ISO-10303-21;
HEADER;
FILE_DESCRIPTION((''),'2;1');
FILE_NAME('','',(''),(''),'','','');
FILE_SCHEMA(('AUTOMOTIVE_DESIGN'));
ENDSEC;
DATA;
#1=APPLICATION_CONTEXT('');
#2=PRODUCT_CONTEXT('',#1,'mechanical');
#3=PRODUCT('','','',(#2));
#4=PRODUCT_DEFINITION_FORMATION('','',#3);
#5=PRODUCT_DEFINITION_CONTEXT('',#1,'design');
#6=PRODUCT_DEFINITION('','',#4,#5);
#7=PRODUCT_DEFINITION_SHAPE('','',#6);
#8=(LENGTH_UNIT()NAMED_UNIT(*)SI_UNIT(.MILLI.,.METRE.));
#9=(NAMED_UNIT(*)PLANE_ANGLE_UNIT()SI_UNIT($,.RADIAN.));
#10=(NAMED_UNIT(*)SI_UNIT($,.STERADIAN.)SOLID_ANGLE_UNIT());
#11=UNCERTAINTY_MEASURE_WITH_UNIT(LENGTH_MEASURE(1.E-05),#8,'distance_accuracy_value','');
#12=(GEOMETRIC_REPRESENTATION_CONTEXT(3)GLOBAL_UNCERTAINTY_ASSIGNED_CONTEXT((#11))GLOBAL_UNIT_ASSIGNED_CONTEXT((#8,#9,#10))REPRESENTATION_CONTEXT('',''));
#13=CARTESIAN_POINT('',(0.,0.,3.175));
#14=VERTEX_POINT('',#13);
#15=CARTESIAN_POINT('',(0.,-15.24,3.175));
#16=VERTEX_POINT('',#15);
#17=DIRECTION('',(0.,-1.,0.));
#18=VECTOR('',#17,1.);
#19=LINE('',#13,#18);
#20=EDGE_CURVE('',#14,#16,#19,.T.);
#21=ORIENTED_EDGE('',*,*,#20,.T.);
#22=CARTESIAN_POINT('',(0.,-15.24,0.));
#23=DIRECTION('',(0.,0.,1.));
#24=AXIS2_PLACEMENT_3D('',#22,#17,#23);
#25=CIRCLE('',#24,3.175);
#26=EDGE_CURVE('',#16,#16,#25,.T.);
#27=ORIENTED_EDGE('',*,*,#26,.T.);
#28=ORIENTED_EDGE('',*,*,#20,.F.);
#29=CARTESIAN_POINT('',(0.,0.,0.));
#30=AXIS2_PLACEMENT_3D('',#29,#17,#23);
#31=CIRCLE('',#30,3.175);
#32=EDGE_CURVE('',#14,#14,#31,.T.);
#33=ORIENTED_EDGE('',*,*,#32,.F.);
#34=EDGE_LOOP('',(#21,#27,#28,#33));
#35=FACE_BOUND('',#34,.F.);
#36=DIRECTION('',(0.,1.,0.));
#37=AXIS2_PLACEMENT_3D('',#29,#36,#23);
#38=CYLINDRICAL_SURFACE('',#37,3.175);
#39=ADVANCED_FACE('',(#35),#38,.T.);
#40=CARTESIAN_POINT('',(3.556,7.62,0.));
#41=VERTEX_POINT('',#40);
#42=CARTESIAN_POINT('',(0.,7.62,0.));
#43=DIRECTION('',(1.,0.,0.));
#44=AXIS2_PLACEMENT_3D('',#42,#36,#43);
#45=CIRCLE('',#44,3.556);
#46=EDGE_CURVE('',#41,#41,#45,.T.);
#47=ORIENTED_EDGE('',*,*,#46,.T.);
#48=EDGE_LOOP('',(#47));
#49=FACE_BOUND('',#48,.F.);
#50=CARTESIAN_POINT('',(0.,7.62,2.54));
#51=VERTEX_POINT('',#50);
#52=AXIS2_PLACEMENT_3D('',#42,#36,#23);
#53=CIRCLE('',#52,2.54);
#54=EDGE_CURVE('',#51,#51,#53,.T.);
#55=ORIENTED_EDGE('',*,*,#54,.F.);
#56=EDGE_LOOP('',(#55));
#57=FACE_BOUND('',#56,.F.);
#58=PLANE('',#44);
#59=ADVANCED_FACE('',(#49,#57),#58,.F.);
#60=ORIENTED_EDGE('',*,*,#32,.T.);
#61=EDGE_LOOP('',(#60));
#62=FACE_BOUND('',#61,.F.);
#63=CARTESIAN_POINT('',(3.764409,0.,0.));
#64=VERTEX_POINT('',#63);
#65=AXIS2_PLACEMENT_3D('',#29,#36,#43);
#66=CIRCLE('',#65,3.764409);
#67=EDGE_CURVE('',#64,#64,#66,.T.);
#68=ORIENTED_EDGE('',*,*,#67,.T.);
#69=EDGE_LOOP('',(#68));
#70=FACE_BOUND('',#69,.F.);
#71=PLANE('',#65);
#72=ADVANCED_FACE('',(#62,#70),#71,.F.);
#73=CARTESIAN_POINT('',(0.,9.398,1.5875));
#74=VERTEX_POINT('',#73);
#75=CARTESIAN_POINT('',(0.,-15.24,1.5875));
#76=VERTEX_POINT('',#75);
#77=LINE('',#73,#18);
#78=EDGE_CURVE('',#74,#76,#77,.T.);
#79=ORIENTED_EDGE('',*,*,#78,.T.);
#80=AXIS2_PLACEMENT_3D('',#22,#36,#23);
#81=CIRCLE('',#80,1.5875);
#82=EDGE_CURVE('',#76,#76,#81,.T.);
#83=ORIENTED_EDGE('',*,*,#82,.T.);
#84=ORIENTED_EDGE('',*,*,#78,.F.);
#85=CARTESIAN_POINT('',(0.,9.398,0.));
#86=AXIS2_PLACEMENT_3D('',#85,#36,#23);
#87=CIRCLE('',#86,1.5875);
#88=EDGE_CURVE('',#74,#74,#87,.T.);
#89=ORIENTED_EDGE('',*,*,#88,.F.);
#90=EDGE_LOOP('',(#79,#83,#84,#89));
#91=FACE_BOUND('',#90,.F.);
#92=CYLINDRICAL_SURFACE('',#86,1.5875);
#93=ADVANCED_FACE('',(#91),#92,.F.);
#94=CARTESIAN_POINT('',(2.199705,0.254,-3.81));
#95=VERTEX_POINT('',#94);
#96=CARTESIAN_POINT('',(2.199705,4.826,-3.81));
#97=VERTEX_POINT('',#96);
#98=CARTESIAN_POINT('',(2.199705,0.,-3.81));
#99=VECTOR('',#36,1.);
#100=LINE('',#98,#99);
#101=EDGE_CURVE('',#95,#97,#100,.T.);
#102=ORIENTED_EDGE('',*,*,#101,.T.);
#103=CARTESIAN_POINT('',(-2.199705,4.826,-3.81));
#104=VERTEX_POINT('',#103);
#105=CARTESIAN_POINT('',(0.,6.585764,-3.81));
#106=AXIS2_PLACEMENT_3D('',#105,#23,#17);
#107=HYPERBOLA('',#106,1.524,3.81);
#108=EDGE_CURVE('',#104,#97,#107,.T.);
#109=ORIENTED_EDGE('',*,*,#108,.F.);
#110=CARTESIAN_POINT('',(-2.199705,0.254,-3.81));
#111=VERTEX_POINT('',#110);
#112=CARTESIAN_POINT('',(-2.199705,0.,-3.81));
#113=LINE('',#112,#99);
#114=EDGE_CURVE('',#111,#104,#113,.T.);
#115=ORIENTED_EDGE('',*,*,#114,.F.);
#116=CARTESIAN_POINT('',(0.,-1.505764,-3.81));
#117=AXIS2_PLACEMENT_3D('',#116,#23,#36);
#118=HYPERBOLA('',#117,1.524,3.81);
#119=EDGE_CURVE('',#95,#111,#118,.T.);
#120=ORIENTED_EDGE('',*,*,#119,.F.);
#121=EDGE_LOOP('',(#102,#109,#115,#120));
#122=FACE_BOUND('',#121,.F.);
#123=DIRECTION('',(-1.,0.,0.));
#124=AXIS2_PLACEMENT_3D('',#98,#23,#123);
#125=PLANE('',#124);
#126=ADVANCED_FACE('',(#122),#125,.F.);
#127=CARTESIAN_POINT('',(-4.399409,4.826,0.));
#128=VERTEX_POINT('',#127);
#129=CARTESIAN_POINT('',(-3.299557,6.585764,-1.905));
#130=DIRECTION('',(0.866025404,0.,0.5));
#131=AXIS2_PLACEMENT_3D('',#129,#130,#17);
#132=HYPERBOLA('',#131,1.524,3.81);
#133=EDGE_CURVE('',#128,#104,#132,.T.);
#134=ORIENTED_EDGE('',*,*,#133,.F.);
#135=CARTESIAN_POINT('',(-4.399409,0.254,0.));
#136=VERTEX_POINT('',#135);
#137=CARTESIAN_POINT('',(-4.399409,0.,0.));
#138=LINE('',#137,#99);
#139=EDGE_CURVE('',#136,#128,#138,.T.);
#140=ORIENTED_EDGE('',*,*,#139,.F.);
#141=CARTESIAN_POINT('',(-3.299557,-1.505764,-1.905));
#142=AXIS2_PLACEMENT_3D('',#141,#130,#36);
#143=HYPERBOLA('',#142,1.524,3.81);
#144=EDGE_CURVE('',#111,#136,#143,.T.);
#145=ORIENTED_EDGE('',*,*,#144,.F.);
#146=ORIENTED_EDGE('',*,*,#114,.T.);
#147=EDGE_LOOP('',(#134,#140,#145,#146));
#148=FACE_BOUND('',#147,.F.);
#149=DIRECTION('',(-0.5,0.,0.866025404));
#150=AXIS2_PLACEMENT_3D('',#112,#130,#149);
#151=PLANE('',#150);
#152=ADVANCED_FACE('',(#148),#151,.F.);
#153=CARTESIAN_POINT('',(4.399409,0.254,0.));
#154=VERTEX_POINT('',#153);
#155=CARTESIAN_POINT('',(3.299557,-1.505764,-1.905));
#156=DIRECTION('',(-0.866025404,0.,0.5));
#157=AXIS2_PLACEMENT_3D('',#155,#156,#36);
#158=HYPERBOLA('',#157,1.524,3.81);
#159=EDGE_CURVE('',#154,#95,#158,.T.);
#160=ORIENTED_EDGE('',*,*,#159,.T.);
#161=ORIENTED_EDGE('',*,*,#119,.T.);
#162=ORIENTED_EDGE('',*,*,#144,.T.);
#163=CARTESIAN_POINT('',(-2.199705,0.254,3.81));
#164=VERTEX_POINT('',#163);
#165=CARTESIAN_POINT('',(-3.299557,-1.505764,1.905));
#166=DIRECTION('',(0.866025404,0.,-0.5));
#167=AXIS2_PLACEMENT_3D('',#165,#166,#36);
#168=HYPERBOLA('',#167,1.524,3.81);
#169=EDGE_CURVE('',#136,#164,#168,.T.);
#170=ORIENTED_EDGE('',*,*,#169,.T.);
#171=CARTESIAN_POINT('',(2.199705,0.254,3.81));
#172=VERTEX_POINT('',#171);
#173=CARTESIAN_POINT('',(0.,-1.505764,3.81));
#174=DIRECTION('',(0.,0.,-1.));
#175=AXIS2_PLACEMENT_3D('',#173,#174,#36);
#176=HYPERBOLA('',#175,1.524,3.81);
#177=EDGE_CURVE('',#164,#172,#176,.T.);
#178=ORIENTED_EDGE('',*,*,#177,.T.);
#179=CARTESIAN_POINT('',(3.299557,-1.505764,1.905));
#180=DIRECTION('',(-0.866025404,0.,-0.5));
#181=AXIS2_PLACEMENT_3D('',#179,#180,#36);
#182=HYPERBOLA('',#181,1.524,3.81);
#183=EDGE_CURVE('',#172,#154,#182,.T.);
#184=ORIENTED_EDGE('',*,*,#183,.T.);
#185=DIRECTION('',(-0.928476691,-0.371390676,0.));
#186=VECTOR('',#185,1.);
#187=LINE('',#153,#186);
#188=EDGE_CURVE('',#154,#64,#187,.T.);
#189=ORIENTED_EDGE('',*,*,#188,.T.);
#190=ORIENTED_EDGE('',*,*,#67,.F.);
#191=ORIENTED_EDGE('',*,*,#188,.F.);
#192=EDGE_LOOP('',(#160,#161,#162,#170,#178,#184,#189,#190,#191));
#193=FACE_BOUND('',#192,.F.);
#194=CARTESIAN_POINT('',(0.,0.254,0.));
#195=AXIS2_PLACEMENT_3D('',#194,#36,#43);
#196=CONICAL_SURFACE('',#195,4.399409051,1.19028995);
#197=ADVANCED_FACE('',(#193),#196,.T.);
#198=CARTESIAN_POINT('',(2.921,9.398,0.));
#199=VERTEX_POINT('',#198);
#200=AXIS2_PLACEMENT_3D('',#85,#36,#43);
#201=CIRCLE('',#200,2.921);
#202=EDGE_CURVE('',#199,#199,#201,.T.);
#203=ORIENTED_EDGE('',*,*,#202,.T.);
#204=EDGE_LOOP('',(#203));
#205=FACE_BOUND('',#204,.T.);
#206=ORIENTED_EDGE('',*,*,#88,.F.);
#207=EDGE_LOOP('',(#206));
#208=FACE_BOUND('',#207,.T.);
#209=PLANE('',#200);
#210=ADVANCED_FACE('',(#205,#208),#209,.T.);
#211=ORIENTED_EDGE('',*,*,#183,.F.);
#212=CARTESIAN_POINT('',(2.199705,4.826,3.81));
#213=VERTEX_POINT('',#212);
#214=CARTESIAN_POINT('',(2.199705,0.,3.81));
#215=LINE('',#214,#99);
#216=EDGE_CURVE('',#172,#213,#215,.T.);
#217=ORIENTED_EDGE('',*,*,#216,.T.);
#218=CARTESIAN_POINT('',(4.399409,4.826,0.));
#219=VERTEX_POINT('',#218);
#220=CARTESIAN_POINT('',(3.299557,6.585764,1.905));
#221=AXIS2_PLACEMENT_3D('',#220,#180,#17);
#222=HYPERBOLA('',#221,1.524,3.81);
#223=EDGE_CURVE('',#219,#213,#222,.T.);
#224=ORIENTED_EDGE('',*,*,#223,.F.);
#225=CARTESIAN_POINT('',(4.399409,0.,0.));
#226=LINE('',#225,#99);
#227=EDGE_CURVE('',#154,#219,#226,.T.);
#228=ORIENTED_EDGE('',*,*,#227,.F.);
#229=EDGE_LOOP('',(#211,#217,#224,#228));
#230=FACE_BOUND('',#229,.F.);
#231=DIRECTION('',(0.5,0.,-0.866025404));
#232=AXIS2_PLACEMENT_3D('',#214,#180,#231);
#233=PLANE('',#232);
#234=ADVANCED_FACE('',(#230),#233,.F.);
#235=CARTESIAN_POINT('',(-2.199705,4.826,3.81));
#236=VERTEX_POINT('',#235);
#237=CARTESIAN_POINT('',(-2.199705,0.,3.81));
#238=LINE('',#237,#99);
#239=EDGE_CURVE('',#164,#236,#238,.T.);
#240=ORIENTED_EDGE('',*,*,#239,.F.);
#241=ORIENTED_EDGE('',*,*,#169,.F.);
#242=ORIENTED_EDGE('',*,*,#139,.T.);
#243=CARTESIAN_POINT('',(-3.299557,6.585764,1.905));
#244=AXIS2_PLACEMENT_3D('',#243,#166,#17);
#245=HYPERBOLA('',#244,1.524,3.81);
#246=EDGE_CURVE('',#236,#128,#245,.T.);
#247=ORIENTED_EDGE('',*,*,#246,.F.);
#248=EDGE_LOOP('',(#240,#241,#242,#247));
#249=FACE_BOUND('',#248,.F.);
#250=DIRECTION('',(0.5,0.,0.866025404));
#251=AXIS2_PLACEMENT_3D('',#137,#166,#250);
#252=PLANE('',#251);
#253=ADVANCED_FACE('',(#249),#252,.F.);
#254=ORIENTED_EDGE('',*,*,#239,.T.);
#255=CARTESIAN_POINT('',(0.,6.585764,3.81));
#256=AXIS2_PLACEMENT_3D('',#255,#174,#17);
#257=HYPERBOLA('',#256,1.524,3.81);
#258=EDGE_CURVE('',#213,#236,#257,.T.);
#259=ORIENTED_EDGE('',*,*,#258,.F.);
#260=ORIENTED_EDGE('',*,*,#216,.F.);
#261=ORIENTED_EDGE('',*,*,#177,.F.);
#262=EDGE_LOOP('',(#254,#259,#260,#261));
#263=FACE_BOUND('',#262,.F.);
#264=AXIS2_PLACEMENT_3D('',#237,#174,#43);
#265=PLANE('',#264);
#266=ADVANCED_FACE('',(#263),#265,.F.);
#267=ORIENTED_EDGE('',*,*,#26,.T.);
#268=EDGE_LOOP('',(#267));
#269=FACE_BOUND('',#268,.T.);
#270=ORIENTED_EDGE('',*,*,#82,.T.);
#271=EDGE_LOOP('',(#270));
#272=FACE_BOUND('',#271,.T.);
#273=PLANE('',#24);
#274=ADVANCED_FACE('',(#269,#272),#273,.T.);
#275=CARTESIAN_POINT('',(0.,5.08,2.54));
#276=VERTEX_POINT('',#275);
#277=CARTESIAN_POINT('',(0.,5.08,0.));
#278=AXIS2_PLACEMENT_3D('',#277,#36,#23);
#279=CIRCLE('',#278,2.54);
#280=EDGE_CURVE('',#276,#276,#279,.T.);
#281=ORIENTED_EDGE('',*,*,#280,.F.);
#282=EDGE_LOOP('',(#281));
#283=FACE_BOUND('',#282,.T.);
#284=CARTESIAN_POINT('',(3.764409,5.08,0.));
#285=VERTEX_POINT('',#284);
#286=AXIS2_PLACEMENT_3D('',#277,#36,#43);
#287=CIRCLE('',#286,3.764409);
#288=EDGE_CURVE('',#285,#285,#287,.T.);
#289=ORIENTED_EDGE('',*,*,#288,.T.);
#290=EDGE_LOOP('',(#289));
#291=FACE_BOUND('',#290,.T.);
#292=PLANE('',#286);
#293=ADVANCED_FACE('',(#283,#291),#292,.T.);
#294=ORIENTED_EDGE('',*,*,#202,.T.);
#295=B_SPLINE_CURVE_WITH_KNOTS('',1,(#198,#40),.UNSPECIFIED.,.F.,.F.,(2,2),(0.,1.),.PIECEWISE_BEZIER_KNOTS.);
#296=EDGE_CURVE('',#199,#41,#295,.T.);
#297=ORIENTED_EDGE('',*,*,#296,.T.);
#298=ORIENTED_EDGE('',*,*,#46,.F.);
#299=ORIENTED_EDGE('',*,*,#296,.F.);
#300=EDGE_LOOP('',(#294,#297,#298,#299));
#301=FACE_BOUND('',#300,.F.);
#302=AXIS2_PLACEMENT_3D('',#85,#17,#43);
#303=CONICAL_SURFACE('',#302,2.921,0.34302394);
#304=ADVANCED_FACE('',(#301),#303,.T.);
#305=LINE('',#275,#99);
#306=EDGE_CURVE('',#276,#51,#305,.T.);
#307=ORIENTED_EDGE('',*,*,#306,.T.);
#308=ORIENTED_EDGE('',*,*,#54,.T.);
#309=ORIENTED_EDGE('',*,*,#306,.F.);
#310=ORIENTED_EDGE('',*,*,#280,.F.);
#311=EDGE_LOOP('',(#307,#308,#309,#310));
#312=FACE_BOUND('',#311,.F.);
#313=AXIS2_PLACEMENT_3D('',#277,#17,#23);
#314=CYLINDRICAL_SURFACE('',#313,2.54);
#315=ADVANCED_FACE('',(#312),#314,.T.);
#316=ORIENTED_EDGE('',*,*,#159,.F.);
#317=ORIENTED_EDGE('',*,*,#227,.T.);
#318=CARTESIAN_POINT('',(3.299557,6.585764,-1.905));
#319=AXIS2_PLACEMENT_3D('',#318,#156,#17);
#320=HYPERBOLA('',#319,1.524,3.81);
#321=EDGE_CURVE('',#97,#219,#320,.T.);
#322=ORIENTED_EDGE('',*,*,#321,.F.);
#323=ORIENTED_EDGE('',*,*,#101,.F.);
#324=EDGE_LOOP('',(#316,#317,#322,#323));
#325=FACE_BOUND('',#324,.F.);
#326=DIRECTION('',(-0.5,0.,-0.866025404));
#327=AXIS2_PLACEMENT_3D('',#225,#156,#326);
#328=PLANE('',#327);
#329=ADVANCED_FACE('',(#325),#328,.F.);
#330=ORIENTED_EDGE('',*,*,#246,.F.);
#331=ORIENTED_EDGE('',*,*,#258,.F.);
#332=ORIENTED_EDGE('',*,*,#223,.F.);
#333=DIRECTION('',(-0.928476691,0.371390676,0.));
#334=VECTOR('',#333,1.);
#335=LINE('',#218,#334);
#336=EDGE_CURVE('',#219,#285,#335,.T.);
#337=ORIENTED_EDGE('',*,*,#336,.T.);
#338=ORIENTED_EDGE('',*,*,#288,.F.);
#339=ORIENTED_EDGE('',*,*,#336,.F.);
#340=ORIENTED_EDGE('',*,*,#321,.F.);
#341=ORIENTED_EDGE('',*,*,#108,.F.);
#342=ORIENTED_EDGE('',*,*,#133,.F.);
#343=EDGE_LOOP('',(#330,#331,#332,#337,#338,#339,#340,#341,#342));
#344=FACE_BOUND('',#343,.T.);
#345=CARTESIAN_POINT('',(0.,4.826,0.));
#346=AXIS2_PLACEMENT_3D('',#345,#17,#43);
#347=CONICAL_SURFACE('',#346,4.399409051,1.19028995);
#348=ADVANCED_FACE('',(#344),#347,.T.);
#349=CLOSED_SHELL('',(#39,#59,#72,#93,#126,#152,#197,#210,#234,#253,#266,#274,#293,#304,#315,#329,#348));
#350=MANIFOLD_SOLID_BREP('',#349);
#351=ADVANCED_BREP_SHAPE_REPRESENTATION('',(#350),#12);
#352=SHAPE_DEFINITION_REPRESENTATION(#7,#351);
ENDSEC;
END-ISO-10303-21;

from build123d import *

# Parameters (mm, degrees)
BOSS_EXTRUDE1_DEPTH = 5.08
SKETCH2_R           = 2.54
BOSS_EXTRUDE2_DEPTH = 2.54
SKETCH4_R           = 2.921
SKETCH3_R           = 3.556
SKETCH7_R           = 3.175
BOSS_EXTRUDE3_DEPTH = 15.24
SKETCH8_R           = 1.5875
CUT_EXTRUDE1_DEPTH  = 26.316041239


with BuildPart() as part:
    # Sketch1 → Boss-Extrude1 (new body)
    with BuildSketch(Plane(origin=(0, 0, 0), x_dir=(1, 0, 0), z_dir=(0, 1, 0))):
        Polygon((2.199704526, 3.81), (-2.199704526, 3.81), (-4.399409051, 0), (-2.199704526, -3.81), (2.199704526, -3.81), (4.399409051, 0), align=None)
    extrude(amount=BOSS_EXTRUDE1_DEPTH)

    # Sketch2 → Boss-Extrude2 (add)
    with BuildSketch(Plane(origin=(0, 5.08, 0), x_dir=(1, 0, 0), z_dir=(0, 1, 0))):
        with Locations(Location((0, 0, 0), (0, 0, 270))):
            Circle(SKETCH2_R)
    extrude(amount=BOSS_EXTRUDE2_DEPTH)

    # Sketch4 → Loft1 section 0
    with BuildSketch(Plane(origin=(0, 9.398, 0), x_dir=(1, 0, 0), z_dir=(0, 1, 0))):
        Circle(SKETCH4_R)
    # Sketch3 → Loft1 section 1
    with BuildSketch(Plane(origin=(0, 7.62, 0), x_dir=(1, 0, 0), z_dir=(0, 1, 0))):
        Circle(SKETCH3_R)
    loft()

    # Sketch6 → Cut-Revolve1 (revolve, cut)
    with BuildSketch(Plane.XY):
        Polygon((4.399409051, 4.826), (3.764409051, 5.08), (4.399409051, 5.08), align=None)
        Polygon((4.399409051, 0), (4.399409051, 0.254), (3.764409051, 0), align=None)
    revolve(axis=Axis((0, 0, 0), (0, 1, 0)), mode=Mode.SUBTRACT)

    # Sketch7 → Boss-Extrude3 (add)
    with BuildSketch(Plane.XZ):
        with Locations(Location((0, 0, 0), (0, 0, 90))):
            Circle(SKETCH7_R)
    extrude(amount=BOSS_EXTRUDE3_DEPTH)

    # Sketch8 → Cut-Extrude1 (cut, through all)
    with BuildSketch(Plane(origin=(0, 9.398, 0), x_dir=(1, 0, 0), z_dir=(0, 1, 0))):
        with Locations(Location((0, 0, 0), (0, 0, 270))):
            Circle(SKETCH8_R)
    extrude(amount=-CUT_EXTRUDE1_DEPTH, mode=Mode.SUBTRACT)


solid = part.part
